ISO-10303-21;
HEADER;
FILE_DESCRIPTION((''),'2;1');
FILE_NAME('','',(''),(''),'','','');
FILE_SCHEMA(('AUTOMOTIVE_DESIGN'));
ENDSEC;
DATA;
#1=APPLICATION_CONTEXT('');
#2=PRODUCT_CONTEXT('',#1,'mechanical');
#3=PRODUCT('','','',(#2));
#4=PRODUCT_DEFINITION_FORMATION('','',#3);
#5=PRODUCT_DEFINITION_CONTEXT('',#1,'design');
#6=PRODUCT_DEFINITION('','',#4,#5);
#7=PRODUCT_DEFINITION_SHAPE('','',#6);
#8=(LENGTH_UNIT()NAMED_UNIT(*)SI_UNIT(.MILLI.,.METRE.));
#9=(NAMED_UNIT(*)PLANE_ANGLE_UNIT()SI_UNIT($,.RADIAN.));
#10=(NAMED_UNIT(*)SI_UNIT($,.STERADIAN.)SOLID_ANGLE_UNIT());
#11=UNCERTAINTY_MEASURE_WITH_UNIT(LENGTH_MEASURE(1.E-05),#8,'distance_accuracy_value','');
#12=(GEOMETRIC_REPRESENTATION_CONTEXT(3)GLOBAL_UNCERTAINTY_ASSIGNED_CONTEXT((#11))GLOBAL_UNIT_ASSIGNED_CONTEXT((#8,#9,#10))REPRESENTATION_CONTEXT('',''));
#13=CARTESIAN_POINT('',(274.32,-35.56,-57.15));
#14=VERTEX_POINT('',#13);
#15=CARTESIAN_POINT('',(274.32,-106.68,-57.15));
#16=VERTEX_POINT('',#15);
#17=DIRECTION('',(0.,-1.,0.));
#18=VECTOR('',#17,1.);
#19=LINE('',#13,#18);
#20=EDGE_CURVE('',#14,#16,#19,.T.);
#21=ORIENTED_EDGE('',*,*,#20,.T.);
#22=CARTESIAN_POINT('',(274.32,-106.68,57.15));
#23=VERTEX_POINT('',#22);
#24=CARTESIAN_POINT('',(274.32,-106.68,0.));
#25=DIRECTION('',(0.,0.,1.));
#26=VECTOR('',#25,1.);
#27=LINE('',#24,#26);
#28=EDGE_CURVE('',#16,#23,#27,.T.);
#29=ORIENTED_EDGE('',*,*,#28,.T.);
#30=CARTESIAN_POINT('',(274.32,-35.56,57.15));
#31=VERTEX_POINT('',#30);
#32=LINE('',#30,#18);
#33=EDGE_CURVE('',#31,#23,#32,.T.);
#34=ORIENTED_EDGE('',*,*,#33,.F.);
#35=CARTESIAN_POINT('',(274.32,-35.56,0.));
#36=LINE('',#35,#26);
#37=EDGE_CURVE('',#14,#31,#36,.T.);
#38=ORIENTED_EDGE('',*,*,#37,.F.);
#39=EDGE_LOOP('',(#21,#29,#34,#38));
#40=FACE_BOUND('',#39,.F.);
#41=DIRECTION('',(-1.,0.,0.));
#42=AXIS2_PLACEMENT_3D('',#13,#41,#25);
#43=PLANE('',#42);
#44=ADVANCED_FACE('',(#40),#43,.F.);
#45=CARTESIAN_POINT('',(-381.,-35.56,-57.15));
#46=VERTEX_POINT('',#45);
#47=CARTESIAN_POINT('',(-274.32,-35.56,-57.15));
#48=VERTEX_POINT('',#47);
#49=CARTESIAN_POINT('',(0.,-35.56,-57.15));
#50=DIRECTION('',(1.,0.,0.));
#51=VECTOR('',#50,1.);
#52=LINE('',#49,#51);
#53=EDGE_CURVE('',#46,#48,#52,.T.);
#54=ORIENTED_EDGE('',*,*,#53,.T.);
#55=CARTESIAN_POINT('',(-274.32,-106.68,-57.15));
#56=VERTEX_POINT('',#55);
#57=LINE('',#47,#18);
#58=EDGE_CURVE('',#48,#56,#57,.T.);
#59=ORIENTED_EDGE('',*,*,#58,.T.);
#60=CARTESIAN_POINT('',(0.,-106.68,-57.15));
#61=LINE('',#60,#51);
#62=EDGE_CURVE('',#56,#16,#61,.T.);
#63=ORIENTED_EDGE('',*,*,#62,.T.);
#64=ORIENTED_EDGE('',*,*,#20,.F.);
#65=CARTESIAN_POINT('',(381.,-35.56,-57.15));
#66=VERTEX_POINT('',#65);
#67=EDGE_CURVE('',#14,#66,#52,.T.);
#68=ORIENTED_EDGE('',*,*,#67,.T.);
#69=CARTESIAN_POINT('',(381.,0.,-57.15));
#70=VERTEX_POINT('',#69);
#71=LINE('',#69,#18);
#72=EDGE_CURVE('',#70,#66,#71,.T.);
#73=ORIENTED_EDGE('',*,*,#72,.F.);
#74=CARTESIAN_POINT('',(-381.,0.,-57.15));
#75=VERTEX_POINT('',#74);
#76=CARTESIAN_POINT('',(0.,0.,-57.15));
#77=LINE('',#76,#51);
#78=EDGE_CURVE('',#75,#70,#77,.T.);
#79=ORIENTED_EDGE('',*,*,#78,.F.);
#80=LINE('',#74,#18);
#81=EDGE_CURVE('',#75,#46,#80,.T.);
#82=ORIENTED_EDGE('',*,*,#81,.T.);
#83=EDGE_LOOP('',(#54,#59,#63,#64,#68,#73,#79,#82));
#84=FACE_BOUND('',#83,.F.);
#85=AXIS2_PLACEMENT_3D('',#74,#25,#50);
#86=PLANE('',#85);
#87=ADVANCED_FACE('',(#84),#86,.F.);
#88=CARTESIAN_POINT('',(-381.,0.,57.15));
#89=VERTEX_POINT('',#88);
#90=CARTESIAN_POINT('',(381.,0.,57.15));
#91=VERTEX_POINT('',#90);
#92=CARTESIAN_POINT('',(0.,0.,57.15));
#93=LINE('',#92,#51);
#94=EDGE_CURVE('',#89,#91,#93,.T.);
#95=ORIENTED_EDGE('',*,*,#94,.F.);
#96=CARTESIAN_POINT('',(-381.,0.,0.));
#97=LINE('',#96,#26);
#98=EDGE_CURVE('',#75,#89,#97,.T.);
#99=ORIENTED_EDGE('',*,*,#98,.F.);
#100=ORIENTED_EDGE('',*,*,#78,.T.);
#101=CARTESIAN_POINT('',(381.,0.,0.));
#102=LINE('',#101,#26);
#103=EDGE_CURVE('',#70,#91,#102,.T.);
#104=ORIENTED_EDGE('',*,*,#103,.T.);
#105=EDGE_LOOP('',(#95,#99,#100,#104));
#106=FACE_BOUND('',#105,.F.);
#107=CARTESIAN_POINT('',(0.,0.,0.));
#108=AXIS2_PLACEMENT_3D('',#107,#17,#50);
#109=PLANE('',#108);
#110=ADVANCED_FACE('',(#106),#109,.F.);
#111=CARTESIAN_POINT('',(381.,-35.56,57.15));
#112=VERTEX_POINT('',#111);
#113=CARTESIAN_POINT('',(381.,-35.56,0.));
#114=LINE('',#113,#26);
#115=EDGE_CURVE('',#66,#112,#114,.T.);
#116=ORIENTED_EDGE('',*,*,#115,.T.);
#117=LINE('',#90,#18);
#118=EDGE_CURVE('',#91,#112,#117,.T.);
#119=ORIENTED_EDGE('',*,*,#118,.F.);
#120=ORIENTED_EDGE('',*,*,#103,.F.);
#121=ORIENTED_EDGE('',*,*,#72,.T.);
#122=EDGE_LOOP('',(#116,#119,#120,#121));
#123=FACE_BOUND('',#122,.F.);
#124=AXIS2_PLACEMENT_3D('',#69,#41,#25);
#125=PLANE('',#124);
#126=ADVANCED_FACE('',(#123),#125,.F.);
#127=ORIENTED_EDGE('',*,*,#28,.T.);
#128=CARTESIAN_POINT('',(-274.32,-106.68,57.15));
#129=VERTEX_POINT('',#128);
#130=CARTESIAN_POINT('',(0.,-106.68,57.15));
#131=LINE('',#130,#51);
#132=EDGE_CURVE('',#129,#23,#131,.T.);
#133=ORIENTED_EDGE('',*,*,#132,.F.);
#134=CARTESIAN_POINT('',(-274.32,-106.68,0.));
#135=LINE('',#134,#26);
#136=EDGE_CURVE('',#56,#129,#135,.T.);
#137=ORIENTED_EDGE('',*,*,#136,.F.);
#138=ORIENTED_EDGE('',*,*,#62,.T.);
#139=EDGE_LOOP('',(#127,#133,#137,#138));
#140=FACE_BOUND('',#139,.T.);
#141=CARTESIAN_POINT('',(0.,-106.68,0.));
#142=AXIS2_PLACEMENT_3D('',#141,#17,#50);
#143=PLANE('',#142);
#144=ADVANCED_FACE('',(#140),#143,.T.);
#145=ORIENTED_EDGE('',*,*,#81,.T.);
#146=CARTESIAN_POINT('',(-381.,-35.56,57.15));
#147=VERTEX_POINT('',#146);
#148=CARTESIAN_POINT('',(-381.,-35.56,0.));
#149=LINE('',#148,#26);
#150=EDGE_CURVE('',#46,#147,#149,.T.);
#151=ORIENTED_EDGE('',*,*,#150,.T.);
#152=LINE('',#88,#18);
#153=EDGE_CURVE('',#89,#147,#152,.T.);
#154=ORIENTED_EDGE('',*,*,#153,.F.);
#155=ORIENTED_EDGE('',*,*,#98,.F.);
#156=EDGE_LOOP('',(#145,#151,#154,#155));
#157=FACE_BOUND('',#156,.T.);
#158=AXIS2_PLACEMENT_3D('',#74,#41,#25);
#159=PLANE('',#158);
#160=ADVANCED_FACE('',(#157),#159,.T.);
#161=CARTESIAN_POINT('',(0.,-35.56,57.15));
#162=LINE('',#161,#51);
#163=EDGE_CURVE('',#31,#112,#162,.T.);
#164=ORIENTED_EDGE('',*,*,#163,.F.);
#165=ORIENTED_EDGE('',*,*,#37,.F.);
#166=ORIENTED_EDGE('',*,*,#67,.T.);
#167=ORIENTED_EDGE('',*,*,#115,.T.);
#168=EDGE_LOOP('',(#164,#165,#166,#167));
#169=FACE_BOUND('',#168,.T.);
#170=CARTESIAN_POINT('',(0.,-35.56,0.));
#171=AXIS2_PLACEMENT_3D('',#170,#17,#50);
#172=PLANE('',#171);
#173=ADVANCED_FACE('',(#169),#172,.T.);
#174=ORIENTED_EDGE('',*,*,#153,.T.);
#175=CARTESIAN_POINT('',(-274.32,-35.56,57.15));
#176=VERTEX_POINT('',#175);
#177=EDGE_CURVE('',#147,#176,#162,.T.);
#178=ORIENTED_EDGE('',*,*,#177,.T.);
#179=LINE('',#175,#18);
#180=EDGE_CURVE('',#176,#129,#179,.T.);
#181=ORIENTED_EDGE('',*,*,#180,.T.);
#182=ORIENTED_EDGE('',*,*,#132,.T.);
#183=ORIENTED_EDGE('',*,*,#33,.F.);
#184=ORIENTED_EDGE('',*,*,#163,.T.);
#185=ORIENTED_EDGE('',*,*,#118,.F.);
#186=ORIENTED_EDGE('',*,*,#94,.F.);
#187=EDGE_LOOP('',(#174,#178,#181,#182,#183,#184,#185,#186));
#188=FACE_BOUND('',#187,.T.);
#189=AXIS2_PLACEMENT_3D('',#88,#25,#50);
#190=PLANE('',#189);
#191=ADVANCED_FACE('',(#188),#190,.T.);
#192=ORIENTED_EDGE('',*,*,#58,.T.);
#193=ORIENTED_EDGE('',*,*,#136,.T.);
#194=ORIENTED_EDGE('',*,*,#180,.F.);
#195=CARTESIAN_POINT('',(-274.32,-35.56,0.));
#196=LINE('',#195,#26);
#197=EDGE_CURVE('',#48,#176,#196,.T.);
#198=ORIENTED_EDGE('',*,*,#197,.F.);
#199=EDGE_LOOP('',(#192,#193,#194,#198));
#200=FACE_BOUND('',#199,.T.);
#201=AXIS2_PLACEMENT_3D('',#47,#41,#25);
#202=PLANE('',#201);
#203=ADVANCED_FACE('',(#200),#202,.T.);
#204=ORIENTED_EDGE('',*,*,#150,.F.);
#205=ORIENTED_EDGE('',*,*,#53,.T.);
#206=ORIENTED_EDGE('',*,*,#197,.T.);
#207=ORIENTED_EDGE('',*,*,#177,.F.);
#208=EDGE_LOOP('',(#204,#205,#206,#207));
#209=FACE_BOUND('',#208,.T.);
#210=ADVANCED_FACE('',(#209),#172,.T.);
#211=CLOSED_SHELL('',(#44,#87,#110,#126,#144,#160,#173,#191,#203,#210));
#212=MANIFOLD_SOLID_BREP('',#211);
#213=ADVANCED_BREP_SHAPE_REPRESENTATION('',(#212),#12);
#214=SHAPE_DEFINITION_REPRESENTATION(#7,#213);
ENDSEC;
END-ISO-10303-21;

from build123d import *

# Parameters (mm, degrees)
F0_W     = 762
F0_H     = 114.3
F1_DEPTH = 35.56
F2_W     = 548.64
F2_H     = 114.3
F3_DEPTH = 71.12


with BuildPart() as f1:
    # F0 (on Front) → F1 (new body)
    with BuildSketch(Plane.XZ):
        Rectangle(F0_W, F0_H)
    extrude(amount=F1_DEPTH)

    # F2 (on face) → F3 (join)
    with BuildSketch(Plane.XZ.offset(35.56)):
        Rectangle(F2_W, F2_H)
    extrude(amount=F3_DEPTH)


solid = f1.part
